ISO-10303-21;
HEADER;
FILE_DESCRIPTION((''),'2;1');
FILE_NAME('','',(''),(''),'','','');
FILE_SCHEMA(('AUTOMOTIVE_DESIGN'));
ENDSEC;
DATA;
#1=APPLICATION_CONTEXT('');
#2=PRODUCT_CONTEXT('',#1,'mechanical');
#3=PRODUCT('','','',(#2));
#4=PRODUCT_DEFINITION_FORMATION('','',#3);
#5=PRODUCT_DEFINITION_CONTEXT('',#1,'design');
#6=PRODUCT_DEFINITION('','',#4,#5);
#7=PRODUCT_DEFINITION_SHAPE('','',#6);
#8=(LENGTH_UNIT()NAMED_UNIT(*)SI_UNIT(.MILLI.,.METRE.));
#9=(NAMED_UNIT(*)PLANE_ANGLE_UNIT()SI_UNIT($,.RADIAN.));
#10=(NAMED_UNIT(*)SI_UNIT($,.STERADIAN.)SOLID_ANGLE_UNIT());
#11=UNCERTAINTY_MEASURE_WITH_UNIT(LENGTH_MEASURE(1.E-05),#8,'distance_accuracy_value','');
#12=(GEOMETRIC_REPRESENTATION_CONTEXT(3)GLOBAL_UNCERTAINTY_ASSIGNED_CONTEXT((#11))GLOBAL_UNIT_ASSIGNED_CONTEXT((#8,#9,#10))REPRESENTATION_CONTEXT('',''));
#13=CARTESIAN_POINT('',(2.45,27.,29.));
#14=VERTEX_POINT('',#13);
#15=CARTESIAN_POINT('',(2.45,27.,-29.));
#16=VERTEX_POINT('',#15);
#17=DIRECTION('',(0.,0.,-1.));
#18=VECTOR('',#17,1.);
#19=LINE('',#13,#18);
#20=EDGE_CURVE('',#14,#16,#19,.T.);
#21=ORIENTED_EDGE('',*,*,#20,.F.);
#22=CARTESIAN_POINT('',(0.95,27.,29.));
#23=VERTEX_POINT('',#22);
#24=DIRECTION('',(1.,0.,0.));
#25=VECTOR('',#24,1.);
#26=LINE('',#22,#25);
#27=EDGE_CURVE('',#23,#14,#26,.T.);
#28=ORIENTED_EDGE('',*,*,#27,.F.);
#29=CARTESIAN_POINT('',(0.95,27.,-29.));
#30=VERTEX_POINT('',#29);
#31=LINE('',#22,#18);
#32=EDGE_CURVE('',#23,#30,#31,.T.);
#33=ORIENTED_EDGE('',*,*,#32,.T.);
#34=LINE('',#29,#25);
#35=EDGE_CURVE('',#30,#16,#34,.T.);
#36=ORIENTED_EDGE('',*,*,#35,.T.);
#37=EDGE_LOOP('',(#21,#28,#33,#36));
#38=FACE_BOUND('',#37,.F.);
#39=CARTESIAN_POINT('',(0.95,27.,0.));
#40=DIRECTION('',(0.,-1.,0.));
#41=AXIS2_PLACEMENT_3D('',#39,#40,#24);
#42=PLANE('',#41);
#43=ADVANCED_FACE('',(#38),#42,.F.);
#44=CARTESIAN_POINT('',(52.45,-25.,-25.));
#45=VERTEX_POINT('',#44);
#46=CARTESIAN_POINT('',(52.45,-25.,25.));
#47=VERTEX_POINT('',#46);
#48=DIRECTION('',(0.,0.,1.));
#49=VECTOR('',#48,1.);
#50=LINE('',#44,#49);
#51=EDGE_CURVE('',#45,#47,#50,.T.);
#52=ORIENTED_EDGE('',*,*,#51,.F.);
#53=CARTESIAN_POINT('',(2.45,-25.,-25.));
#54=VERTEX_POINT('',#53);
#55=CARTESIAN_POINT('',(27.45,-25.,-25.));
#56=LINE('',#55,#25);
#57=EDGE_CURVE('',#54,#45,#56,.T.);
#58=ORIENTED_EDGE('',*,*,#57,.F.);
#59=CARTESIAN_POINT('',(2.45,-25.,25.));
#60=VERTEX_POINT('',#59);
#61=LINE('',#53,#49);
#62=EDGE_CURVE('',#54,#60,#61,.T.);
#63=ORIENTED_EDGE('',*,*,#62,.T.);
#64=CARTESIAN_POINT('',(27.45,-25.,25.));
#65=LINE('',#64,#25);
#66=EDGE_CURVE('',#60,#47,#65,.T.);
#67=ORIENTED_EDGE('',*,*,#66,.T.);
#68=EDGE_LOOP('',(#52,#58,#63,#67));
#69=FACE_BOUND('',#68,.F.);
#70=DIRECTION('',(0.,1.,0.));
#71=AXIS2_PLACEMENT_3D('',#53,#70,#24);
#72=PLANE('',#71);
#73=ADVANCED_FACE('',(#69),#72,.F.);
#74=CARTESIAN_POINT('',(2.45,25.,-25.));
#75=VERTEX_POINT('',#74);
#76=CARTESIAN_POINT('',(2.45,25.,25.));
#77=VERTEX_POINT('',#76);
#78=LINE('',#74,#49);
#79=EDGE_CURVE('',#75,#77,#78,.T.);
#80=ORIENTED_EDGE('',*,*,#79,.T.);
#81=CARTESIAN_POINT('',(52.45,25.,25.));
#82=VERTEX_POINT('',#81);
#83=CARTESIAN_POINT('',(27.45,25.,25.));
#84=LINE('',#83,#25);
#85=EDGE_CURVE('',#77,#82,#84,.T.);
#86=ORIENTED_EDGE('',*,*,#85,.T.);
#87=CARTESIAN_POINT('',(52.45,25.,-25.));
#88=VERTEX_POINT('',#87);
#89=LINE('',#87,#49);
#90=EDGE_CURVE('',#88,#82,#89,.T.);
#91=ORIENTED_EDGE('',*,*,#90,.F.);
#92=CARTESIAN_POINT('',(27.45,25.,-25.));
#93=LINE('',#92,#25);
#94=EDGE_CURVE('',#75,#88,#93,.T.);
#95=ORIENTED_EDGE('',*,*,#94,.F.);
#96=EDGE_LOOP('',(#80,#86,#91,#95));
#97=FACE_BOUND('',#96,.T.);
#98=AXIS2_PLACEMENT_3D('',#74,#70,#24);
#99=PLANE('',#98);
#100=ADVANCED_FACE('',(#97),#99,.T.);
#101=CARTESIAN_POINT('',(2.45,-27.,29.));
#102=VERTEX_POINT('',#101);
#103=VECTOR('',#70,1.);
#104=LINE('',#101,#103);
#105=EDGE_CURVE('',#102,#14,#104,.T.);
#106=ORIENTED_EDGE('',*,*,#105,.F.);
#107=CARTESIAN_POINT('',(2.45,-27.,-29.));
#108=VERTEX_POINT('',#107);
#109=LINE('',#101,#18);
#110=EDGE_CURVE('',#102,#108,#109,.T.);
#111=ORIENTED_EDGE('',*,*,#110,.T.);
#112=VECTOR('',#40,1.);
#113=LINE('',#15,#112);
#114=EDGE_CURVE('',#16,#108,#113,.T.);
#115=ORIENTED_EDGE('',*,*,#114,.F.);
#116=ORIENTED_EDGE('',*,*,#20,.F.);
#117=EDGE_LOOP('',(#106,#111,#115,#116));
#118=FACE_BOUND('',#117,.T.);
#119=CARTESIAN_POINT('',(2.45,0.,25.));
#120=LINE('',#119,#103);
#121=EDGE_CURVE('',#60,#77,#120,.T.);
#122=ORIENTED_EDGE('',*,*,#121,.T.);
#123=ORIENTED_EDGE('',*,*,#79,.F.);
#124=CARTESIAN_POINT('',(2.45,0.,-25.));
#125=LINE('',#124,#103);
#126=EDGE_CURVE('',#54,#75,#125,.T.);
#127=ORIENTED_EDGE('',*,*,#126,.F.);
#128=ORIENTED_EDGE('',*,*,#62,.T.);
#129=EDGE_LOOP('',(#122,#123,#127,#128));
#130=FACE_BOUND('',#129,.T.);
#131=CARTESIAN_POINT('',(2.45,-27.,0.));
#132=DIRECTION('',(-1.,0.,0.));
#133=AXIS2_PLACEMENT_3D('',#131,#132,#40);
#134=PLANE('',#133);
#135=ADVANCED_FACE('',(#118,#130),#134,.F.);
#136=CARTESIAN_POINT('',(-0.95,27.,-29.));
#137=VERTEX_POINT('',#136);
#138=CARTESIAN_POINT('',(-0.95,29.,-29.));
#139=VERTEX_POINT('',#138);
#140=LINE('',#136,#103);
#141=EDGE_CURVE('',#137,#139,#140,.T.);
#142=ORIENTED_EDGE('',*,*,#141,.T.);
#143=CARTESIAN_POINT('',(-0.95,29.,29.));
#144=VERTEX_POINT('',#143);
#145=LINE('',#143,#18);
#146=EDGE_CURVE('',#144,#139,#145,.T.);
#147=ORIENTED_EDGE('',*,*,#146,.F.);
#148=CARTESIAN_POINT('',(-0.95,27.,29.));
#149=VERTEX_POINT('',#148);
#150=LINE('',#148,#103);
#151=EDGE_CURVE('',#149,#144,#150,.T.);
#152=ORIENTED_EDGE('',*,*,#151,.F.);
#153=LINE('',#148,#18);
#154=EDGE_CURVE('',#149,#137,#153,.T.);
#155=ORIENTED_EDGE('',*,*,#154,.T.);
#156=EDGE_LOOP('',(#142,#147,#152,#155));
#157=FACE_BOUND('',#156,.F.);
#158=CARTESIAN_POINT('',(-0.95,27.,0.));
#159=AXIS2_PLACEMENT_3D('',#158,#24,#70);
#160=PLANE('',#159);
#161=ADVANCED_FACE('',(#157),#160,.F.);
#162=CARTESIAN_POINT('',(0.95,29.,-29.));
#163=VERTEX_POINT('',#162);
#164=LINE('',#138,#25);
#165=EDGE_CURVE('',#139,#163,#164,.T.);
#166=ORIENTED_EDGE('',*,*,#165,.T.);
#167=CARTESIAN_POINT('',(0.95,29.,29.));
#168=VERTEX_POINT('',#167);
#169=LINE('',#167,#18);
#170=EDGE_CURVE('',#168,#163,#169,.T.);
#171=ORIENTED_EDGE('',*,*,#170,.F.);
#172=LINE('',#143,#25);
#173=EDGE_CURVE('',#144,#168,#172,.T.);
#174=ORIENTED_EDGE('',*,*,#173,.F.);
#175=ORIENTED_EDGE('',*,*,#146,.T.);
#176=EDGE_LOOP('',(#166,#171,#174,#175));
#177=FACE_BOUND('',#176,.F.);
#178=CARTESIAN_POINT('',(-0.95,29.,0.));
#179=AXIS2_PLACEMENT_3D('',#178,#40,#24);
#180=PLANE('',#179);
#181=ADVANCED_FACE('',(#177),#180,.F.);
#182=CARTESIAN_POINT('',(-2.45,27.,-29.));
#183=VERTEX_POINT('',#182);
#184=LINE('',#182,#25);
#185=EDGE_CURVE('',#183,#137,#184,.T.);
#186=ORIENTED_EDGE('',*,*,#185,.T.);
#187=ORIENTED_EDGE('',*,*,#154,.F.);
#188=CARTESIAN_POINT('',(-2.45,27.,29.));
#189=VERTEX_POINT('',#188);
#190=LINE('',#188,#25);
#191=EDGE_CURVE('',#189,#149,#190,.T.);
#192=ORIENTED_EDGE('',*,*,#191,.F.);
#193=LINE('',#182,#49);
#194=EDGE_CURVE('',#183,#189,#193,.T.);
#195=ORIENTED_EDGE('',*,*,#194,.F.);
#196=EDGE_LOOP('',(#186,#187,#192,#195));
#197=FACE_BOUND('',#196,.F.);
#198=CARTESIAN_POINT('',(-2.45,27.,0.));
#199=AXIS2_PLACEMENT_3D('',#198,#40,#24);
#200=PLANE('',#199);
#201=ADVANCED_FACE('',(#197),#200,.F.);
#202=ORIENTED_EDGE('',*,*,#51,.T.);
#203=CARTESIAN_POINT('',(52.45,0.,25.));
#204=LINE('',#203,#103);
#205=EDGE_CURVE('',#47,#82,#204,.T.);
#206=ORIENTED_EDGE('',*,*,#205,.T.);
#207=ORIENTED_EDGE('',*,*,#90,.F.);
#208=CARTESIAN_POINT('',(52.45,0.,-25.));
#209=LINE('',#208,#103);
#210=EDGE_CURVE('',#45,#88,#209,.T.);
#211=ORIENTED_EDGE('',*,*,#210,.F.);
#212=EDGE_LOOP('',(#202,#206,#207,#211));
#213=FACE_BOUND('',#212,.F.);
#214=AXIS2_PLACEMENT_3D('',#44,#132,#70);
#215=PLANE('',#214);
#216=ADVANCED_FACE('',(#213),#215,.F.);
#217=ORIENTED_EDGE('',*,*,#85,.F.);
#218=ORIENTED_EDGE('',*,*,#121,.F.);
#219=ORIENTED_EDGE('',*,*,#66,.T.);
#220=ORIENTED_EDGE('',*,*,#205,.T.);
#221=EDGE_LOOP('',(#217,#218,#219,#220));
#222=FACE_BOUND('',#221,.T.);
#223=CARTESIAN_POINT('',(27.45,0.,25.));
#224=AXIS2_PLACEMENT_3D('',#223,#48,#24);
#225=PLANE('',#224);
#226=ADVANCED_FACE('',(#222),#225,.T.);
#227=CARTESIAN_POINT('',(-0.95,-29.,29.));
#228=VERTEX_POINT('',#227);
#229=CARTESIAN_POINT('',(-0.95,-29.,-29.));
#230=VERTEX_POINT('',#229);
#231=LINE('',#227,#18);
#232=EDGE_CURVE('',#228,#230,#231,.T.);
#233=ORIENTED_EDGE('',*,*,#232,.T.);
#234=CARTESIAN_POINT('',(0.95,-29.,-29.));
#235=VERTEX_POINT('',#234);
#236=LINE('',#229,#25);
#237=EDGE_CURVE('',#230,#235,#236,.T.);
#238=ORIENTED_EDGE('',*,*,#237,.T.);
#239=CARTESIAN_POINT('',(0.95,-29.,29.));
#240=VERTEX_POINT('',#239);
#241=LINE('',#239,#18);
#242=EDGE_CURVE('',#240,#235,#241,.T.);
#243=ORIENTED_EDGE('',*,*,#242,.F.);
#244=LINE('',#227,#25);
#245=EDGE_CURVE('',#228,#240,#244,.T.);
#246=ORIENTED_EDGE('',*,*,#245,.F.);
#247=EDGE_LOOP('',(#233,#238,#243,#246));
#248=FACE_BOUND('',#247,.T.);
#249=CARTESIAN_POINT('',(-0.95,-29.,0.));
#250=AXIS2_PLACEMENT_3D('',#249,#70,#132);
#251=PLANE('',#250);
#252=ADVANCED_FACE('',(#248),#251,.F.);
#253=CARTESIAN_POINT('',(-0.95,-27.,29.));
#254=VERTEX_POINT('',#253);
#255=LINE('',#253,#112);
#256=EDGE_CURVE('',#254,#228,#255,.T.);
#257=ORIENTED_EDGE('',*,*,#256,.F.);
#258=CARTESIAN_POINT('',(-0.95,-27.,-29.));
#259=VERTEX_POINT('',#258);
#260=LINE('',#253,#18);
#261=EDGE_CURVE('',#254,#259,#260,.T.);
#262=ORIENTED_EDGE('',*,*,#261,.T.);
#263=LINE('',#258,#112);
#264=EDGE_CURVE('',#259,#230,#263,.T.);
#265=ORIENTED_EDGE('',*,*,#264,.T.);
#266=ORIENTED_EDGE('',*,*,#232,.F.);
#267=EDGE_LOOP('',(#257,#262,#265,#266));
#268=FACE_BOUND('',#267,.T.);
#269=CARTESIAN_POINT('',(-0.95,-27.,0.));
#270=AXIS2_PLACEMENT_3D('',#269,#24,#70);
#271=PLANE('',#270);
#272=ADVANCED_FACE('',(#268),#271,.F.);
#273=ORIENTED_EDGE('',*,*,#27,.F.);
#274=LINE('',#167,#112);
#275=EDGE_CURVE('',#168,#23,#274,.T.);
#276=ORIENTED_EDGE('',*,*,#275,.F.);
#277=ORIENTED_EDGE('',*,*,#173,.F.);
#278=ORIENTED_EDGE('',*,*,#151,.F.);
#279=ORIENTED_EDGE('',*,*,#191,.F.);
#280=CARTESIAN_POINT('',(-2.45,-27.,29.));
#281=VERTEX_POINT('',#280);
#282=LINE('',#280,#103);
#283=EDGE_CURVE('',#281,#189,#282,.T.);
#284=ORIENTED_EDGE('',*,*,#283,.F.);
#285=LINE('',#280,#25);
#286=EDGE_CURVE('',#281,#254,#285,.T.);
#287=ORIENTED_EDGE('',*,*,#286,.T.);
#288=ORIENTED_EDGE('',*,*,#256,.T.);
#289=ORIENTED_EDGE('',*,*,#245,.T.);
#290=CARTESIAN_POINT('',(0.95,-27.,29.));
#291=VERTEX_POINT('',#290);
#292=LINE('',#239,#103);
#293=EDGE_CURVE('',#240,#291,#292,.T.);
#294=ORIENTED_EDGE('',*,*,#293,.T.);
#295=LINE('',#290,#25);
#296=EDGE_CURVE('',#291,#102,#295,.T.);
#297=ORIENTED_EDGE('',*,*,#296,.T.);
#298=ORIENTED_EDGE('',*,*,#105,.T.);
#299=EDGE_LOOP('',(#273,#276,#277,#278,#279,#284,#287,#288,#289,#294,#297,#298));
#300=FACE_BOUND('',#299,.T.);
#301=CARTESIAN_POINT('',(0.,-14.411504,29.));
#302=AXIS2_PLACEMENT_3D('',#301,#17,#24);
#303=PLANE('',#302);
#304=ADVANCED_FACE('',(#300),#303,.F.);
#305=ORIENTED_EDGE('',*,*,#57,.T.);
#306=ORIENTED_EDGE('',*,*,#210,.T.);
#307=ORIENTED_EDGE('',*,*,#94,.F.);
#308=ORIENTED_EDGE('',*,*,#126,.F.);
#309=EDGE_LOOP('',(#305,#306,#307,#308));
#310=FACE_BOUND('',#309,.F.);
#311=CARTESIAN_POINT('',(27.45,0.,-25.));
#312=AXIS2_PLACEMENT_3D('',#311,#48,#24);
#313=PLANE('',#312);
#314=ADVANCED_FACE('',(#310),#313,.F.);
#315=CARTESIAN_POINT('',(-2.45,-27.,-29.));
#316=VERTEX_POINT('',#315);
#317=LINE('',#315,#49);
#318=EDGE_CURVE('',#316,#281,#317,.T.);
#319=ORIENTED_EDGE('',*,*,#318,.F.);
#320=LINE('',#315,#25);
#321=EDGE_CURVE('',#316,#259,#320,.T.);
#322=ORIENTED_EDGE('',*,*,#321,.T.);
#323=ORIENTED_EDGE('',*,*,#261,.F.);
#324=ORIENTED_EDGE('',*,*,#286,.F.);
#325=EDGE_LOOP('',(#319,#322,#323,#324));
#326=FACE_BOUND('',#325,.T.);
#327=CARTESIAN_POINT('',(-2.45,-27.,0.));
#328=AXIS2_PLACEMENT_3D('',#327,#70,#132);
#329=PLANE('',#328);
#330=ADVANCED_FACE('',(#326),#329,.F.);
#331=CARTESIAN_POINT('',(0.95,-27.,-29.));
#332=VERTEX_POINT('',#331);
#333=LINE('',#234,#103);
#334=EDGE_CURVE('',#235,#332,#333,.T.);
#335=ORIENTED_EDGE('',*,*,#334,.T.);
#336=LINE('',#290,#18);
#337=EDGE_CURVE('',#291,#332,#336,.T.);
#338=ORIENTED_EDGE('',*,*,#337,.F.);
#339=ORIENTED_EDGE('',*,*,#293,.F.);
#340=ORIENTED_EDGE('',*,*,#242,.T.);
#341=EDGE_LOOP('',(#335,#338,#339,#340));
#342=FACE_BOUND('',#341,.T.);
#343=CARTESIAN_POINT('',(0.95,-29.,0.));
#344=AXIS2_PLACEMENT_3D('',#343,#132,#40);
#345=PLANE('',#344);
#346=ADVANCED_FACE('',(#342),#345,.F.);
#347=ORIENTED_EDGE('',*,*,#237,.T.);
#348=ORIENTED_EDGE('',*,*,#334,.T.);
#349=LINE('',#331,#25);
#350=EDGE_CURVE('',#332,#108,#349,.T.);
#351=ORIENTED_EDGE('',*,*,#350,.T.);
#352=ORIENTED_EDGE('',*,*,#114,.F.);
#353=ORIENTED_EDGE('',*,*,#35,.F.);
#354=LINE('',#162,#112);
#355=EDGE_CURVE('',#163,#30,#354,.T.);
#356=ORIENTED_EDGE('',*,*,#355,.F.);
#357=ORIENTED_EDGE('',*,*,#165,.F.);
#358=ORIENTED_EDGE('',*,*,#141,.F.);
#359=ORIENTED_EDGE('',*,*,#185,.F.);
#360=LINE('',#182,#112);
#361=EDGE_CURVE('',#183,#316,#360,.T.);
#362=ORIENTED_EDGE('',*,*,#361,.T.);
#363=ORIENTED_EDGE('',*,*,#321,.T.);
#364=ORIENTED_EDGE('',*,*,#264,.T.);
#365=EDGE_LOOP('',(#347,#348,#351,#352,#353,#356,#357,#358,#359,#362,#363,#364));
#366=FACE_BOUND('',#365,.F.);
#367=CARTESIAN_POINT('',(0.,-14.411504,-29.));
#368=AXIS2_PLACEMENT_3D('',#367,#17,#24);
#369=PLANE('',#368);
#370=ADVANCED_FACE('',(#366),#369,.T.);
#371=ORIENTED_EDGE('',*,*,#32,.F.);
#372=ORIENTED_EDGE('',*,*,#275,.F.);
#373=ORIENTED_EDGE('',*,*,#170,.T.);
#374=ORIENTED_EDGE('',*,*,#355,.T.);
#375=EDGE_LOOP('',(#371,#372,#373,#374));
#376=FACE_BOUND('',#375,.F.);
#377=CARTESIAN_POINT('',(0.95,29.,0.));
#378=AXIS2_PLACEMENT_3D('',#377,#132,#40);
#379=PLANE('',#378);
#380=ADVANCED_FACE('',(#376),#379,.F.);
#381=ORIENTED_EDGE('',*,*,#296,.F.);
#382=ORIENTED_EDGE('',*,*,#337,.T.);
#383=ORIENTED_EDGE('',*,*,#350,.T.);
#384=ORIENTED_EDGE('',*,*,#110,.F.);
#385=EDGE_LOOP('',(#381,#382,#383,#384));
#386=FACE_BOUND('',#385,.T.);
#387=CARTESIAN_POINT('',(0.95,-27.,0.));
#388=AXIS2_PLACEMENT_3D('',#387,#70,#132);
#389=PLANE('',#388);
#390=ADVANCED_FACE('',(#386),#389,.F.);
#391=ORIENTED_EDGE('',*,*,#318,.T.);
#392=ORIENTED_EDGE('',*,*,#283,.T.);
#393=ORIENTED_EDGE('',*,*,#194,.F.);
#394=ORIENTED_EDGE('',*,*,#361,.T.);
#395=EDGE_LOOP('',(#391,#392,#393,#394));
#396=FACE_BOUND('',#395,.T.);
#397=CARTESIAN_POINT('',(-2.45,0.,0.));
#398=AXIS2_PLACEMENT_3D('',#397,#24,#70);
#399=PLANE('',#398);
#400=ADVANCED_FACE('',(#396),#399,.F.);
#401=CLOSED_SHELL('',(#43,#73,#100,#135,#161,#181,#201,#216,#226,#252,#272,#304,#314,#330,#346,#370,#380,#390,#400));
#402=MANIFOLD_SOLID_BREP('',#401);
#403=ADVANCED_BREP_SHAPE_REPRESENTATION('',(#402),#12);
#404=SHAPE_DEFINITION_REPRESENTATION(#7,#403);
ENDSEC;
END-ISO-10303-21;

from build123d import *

# Parameters (mm, degrees)
BOX_W     = 50
BOX_H     = 50
BOX_DEPTH = 50
PAD_DEPTH = 29


with BuildPart() as cube:
    # Box → Box (new body)
    with BuildSketch(Plane(origin=(2.45, -25, -25), x_dir=(1, 0, 0), z_dir=(0, 0, 1))):
        with Locations((25, 25)):
            Rectangle(BOX_W, BOX_H)
    extrude(amount=BOX_DEPTH)


with BuildPart() as fusion:
    # Sketch → Pad (new body, symmetric)
    with BuildSketch(Plane.XY):
        Polygon((-2.45, 27), (-0.95, 27), (-0.95, 29), (0.95, 29), (0.95, 27), (2.45, 27), (2.45, 0), (-2.45, 0), align=None)
    pad = extrude(amount=PAD_DEPTH, both=True)

    # Mirrored: Pad across XZ
    add(pad.mirror(Plane.XZ))

    # Fusion: union Cube
    add(cube.part)


solid = fusion.part
